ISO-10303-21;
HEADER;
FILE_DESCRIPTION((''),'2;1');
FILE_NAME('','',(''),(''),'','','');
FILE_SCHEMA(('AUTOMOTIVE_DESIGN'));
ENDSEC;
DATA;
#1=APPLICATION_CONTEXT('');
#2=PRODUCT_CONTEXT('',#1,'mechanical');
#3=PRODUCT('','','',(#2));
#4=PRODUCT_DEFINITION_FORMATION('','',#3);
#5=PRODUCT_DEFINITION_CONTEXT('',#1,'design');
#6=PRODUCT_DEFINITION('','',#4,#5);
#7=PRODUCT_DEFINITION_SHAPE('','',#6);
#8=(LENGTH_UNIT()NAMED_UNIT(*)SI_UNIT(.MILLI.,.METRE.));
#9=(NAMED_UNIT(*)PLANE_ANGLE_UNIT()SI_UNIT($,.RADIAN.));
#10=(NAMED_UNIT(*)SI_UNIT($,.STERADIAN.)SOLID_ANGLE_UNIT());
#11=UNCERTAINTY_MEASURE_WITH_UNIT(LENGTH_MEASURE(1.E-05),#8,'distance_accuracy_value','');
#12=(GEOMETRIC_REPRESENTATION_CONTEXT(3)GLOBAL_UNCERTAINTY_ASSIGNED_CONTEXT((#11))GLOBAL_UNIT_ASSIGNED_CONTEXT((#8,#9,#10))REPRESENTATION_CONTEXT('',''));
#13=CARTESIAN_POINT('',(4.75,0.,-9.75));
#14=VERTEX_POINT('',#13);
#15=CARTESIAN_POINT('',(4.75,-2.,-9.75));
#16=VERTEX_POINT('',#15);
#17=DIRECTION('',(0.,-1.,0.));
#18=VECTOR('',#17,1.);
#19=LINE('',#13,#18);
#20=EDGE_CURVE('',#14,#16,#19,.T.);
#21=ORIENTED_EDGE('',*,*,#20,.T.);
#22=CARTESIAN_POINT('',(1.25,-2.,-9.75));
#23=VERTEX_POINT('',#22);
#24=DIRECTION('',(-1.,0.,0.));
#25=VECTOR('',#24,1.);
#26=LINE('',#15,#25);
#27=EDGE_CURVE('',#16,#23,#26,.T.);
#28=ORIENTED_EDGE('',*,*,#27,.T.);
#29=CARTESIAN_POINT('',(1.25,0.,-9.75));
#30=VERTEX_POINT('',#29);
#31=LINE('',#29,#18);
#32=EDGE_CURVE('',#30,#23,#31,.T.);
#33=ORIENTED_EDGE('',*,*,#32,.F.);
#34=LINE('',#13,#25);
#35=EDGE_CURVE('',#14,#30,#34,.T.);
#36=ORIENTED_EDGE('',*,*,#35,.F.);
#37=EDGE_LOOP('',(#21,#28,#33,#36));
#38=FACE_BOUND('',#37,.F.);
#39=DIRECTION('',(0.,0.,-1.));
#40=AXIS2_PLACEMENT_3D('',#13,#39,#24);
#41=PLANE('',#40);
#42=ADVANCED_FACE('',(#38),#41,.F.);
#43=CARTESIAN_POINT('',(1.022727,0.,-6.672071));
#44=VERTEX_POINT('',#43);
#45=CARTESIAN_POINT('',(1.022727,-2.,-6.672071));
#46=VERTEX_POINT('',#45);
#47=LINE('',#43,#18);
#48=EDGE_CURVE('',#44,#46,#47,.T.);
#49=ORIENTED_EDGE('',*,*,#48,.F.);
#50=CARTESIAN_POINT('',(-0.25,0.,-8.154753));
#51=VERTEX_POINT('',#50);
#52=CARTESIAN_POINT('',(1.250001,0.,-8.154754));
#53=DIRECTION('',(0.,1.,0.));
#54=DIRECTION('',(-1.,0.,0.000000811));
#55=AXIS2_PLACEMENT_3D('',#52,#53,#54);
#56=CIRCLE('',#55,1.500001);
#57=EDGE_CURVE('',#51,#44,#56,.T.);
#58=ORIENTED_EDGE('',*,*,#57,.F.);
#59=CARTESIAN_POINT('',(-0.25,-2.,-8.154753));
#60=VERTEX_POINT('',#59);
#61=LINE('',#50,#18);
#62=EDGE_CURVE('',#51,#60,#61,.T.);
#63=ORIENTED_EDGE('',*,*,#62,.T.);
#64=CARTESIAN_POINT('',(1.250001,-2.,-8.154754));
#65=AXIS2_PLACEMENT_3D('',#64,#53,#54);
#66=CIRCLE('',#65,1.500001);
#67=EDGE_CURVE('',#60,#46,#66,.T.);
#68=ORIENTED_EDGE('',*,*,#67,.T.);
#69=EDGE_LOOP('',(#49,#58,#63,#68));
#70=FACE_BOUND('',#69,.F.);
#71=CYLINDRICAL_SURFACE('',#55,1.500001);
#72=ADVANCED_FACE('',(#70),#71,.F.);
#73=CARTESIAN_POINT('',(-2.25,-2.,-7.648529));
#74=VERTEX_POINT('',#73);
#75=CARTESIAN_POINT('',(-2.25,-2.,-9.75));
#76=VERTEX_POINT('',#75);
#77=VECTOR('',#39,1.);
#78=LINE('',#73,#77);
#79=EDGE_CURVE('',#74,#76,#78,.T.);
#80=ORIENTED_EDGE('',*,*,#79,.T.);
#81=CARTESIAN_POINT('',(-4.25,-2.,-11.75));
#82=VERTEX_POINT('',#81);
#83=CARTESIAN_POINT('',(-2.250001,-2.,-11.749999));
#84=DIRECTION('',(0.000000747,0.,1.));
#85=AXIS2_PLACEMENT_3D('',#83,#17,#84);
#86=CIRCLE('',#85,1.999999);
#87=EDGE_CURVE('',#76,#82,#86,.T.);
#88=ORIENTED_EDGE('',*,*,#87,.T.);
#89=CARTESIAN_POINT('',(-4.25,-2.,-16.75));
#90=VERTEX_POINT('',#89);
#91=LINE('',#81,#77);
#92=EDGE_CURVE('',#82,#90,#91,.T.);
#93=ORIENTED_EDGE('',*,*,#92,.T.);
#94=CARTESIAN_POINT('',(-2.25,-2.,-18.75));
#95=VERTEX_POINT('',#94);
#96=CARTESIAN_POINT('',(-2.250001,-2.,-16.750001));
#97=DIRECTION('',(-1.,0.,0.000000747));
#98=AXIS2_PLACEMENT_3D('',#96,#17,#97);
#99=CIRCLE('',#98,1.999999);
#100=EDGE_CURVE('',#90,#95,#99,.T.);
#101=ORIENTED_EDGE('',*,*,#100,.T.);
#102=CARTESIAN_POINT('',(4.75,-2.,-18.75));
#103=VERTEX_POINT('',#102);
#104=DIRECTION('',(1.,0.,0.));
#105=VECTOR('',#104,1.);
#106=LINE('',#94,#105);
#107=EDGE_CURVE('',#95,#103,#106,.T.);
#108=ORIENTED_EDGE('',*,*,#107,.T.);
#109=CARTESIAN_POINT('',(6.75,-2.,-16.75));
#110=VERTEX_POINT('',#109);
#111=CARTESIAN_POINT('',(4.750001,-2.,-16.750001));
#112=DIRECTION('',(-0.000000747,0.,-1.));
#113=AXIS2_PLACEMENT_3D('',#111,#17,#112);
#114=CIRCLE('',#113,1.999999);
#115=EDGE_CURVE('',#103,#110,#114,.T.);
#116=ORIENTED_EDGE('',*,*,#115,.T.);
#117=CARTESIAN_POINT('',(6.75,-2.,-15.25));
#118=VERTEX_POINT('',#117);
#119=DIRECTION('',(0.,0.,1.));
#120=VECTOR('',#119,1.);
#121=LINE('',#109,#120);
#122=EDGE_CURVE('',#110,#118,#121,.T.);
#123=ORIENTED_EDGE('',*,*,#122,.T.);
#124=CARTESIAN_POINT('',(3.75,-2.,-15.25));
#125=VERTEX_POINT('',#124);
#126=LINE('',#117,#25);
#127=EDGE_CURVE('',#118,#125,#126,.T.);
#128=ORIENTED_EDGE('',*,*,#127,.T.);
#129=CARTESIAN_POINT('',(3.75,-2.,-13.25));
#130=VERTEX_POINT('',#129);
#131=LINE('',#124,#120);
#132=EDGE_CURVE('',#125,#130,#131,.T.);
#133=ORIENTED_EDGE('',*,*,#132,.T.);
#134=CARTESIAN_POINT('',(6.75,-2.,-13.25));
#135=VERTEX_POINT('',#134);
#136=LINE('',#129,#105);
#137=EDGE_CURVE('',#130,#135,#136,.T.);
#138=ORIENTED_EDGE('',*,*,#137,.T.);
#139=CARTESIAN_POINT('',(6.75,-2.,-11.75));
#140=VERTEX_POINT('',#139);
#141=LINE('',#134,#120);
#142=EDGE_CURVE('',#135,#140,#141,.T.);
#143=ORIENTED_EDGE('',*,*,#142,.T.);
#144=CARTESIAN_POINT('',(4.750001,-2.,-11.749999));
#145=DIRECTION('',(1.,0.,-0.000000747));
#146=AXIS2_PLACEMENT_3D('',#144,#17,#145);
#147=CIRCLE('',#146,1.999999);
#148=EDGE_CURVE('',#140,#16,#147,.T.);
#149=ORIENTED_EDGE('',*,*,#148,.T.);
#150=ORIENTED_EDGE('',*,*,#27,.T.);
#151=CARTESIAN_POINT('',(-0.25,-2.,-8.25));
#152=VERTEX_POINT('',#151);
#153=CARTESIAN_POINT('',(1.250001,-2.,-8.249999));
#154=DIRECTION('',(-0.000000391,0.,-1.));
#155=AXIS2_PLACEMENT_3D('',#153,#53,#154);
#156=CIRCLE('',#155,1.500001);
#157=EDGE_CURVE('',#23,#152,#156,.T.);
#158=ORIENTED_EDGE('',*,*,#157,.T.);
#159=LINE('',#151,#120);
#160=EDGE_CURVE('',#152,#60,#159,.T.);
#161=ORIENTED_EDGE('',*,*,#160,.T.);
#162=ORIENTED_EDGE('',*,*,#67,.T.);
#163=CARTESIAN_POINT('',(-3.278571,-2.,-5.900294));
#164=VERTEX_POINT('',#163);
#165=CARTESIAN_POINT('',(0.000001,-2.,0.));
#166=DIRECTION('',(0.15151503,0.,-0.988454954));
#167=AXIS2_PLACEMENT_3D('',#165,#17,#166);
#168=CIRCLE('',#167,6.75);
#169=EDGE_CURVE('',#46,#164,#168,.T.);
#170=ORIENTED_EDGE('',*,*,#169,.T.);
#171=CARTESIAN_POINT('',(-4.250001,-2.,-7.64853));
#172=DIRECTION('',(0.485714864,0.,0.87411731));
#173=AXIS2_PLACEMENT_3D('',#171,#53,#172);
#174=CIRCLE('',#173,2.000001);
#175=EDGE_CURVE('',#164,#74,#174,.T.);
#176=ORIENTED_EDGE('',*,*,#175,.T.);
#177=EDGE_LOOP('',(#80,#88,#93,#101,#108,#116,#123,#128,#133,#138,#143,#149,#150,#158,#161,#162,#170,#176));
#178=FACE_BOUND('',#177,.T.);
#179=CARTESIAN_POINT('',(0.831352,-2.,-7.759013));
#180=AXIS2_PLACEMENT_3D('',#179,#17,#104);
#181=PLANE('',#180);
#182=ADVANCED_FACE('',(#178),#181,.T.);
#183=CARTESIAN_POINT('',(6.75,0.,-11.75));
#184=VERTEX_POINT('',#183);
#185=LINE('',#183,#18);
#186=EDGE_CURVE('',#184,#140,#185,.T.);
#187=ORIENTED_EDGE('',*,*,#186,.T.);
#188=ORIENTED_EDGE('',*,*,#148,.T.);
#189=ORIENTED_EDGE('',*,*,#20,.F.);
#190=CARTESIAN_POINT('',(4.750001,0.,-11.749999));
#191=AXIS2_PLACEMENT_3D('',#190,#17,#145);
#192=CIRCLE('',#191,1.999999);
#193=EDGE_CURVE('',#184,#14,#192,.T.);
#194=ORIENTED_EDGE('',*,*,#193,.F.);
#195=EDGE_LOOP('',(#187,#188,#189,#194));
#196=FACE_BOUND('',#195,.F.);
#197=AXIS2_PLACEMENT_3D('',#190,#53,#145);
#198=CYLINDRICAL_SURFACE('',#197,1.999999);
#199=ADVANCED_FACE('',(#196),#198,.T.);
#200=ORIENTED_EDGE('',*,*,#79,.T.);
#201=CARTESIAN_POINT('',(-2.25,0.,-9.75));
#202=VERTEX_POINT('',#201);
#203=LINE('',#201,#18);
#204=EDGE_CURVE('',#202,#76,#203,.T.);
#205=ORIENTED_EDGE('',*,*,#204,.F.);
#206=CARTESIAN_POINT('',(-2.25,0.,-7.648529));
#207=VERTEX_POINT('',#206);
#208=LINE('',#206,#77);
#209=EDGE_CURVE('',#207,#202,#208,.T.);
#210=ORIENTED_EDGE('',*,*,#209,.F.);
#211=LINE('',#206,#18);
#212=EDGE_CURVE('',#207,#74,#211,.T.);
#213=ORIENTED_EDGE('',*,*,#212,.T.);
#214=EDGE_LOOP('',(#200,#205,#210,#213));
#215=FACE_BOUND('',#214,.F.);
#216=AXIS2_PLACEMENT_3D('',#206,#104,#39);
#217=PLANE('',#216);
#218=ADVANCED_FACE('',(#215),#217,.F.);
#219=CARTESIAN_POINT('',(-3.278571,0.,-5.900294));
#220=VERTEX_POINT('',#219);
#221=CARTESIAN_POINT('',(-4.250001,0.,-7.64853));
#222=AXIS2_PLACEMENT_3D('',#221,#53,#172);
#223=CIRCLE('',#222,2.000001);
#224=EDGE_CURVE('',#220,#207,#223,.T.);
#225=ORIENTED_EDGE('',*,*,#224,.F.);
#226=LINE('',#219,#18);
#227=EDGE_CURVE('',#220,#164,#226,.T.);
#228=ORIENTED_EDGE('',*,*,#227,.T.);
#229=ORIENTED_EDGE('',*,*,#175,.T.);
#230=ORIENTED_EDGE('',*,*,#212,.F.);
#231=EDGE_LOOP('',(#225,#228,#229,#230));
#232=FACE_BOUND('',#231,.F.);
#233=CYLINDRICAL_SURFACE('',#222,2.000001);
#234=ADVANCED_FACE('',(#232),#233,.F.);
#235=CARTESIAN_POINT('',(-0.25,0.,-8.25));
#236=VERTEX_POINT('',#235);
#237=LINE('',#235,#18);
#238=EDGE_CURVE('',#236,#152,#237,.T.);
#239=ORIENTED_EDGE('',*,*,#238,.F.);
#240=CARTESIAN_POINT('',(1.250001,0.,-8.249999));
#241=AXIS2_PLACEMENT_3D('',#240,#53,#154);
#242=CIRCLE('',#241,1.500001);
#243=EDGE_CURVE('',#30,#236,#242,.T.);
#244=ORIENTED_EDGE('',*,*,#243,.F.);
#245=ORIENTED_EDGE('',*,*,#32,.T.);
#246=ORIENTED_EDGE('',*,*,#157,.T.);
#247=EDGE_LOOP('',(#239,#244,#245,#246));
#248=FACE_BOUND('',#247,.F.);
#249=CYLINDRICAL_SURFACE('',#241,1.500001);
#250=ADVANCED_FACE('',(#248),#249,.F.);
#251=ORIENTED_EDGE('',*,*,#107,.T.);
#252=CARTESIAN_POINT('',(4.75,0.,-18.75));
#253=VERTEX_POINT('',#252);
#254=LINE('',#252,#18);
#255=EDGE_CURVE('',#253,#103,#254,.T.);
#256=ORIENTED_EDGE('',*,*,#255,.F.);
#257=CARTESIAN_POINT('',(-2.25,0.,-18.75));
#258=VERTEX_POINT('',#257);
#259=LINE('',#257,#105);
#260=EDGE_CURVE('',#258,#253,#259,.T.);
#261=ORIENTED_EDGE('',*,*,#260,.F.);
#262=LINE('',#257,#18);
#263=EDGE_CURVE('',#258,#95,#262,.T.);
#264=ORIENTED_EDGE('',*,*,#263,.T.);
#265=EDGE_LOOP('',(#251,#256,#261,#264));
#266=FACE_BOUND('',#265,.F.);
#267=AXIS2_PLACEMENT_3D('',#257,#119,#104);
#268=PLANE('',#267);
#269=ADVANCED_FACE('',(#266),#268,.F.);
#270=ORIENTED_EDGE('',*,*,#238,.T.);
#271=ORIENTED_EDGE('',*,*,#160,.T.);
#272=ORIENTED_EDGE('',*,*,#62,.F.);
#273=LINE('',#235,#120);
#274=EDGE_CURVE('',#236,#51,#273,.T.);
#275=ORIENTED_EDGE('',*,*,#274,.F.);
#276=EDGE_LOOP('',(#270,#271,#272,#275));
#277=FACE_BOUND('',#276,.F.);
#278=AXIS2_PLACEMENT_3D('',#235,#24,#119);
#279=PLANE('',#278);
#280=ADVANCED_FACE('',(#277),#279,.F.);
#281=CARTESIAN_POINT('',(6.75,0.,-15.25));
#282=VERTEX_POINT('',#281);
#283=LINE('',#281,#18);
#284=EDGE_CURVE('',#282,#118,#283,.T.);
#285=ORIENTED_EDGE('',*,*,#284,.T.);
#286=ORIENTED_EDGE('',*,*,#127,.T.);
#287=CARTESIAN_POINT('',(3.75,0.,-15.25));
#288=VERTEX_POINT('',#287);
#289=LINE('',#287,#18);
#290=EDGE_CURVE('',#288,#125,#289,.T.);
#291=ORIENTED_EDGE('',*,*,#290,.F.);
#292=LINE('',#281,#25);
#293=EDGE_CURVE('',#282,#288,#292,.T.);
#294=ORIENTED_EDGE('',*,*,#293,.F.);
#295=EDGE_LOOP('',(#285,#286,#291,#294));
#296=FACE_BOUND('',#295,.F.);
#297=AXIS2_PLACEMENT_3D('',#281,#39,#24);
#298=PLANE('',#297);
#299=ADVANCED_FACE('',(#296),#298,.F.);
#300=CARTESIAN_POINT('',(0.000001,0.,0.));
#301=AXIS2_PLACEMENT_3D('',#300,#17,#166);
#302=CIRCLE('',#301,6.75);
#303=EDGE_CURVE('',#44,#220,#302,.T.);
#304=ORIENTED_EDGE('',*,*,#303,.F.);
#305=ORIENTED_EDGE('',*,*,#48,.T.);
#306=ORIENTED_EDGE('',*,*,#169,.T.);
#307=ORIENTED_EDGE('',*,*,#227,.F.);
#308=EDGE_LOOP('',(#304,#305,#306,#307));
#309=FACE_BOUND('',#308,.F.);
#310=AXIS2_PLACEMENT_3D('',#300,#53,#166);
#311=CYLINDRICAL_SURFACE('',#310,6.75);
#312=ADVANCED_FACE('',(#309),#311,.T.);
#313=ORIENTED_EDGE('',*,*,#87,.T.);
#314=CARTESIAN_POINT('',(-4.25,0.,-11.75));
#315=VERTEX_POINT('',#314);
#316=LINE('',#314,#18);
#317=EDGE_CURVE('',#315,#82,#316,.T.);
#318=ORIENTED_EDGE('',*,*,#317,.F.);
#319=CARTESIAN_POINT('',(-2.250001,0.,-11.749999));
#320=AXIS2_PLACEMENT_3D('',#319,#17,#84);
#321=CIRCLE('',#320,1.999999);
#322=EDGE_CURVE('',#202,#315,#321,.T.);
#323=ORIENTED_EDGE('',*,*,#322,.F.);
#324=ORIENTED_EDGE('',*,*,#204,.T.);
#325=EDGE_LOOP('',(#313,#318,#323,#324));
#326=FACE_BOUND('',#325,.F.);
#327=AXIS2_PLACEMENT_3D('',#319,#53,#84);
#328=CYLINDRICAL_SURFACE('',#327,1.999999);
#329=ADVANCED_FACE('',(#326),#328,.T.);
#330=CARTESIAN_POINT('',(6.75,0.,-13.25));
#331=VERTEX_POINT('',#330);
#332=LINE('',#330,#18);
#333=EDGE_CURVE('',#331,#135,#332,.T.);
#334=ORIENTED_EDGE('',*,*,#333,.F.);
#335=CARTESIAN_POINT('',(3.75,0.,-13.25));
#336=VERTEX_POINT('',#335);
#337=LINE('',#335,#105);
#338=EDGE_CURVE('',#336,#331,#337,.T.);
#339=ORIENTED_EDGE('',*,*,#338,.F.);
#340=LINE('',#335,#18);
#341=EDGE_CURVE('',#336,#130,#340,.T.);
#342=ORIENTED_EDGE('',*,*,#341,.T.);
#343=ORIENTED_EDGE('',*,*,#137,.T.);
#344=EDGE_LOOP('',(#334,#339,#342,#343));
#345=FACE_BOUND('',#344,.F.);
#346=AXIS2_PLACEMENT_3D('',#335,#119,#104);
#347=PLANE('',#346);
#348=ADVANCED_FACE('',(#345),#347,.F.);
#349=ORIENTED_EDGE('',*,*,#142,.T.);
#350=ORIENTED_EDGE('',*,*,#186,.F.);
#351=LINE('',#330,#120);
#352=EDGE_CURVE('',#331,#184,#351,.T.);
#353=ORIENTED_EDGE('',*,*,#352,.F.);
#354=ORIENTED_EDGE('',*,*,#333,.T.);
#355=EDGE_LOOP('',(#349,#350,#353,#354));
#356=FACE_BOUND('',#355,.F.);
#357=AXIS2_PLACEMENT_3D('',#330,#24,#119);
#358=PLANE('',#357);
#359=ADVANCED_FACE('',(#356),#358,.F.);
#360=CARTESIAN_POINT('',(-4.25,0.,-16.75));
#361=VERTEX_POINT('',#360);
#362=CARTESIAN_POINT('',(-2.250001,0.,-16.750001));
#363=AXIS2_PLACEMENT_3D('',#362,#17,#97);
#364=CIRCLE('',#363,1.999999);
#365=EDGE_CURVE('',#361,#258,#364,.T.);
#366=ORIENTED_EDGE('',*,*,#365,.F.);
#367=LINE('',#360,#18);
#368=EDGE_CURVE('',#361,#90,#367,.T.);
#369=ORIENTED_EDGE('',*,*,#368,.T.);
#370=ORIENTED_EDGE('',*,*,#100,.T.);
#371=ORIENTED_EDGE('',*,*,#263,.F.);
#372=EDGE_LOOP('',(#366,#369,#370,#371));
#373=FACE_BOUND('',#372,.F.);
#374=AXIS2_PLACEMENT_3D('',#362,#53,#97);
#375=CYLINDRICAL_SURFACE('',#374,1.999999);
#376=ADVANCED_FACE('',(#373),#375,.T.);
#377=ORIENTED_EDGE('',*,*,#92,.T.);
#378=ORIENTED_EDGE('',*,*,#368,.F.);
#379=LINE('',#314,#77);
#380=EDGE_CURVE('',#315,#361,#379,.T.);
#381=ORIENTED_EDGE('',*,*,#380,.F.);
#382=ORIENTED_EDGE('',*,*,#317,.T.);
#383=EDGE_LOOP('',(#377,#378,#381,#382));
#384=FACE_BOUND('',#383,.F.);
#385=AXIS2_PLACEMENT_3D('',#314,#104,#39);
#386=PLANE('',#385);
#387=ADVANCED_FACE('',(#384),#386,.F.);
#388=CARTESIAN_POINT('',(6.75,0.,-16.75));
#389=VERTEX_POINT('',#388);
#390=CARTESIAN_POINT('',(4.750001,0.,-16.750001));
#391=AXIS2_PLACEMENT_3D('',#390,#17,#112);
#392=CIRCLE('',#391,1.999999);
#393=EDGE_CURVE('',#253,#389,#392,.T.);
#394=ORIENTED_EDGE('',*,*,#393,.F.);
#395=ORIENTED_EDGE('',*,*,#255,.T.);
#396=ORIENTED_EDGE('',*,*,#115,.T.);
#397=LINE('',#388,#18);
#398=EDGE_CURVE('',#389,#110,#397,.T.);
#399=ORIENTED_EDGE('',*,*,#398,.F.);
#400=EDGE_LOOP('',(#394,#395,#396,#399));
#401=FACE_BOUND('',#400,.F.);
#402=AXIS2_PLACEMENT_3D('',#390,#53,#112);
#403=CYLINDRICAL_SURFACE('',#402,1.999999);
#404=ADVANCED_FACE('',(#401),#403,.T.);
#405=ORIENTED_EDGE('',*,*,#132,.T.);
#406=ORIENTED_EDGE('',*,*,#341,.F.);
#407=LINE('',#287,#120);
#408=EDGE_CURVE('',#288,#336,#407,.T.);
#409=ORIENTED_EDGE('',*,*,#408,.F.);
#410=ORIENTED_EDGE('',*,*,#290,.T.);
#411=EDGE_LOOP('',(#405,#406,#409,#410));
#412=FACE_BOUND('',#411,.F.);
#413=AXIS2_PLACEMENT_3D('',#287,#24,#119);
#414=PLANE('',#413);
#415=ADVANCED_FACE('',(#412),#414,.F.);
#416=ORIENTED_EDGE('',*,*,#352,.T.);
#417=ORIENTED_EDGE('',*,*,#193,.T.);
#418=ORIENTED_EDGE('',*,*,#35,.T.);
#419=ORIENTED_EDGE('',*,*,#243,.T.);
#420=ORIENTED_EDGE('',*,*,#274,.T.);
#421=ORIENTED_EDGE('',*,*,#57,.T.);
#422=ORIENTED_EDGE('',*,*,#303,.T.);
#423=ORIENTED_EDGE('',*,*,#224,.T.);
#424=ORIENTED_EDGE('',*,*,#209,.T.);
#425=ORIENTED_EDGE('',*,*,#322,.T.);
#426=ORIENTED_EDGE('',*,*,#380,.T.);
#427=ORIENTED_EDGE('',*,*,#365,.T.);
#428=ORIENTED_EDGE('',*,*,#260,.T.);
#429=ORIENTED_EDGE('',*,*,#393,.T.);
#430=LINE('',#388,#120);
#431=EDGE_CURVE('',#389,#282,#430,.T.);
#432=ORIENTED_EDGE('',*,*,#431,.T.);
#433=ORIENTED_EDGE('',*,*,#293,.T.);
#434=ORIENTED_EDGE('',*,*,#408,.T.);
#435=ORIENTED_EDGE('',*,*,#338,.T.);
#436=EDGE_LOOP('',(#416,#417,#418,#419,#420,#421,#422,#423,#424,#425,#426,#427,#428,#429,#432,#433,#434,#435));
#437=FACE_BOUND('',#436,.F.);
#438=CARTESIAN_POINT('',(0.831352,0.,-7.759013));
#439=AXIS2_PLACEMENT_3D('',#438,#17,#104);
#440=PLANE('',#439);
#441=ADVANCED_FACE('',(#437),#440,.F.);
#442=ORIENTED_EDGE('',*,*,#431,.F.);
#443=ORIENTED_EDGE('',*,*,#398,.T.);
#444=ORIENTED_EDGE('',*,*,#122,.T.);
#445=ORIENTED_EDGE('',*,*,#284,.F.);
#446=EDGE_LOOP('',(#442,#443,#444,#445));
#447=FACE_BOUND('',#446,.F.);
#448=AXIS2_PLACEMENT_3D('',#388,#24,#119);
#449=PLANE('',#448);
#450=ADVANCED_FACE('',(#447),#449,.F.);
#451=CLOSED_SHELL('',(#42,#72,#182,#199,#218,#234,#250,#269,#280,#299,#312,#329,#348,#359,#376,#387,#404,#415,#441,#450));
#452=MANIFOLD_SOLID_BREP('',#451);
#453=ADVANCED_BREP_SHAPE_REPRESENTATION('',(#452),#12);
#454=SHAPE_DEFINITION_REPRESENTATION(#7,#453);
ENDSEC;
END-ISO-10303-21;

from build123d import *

# Parameters (mm, degrees)
F1_DEPTH = 2


with BuildPart() as f1:
    # F0 (on Front) → F1 (new body)
    with BuildSketch(Plane.XZ):
        with BuildLine():
            ThreePointArc((-0.25, -8.154753), (0.11182, -7.177745), (1.022727, -6.672071))
            ThreePointArc((1.022727, -6.672071), (1.192107, 6.643898), (-3.278571, -5.900294))
            ThreePointArc((-3.278571, -5.900294), (-2.526217, -6.634344), (-2.25, -7.648529))
            Line((-2.25, -7.648529), (-2.25, -9.75))
            ThreePointArc((-2.25, -9.75), (-3.664214, -10.335786), (-4.25, -11.75))
            Line((-4.25, -11.75), (-4.25, -16.75))
            ThreePointArc((-4.25, -16.75), (-3.664214, -18.164214), (-2.25, -18.75))
            Line((-2.25, -18.75), (4.75, -18.75))
            ThreePointArc((4.75, -18.75), (6.164214, -18.164214), (6.75, -16.75))
            Line((6.75, -16.75), (6.75, -15.25))
            Line((6.75, -15.25), (3.75, -15.25))
            Line((3.75, -15.25), (3.75, -13.25))
            Line((3.75, -13.25), (6.75, -13.25))
            Line((6.75, -13.25), (6.75, -11.75))
            ThreePointArc((6.75, -11.75), (6.164214, -10.335786), (4.75, -9.75))
            Line((4.75, -9.75), (1.25, -9.75))
            ThreePointArc((1.25, -9.75), (0.18934, -9.31066), (-0.25, -8.25))
            Line((-0.25, -8.25), (-0.25, -8.154753))
        make_face()
    extrude(amount=F1_DEPTH)


solid = f1.part
